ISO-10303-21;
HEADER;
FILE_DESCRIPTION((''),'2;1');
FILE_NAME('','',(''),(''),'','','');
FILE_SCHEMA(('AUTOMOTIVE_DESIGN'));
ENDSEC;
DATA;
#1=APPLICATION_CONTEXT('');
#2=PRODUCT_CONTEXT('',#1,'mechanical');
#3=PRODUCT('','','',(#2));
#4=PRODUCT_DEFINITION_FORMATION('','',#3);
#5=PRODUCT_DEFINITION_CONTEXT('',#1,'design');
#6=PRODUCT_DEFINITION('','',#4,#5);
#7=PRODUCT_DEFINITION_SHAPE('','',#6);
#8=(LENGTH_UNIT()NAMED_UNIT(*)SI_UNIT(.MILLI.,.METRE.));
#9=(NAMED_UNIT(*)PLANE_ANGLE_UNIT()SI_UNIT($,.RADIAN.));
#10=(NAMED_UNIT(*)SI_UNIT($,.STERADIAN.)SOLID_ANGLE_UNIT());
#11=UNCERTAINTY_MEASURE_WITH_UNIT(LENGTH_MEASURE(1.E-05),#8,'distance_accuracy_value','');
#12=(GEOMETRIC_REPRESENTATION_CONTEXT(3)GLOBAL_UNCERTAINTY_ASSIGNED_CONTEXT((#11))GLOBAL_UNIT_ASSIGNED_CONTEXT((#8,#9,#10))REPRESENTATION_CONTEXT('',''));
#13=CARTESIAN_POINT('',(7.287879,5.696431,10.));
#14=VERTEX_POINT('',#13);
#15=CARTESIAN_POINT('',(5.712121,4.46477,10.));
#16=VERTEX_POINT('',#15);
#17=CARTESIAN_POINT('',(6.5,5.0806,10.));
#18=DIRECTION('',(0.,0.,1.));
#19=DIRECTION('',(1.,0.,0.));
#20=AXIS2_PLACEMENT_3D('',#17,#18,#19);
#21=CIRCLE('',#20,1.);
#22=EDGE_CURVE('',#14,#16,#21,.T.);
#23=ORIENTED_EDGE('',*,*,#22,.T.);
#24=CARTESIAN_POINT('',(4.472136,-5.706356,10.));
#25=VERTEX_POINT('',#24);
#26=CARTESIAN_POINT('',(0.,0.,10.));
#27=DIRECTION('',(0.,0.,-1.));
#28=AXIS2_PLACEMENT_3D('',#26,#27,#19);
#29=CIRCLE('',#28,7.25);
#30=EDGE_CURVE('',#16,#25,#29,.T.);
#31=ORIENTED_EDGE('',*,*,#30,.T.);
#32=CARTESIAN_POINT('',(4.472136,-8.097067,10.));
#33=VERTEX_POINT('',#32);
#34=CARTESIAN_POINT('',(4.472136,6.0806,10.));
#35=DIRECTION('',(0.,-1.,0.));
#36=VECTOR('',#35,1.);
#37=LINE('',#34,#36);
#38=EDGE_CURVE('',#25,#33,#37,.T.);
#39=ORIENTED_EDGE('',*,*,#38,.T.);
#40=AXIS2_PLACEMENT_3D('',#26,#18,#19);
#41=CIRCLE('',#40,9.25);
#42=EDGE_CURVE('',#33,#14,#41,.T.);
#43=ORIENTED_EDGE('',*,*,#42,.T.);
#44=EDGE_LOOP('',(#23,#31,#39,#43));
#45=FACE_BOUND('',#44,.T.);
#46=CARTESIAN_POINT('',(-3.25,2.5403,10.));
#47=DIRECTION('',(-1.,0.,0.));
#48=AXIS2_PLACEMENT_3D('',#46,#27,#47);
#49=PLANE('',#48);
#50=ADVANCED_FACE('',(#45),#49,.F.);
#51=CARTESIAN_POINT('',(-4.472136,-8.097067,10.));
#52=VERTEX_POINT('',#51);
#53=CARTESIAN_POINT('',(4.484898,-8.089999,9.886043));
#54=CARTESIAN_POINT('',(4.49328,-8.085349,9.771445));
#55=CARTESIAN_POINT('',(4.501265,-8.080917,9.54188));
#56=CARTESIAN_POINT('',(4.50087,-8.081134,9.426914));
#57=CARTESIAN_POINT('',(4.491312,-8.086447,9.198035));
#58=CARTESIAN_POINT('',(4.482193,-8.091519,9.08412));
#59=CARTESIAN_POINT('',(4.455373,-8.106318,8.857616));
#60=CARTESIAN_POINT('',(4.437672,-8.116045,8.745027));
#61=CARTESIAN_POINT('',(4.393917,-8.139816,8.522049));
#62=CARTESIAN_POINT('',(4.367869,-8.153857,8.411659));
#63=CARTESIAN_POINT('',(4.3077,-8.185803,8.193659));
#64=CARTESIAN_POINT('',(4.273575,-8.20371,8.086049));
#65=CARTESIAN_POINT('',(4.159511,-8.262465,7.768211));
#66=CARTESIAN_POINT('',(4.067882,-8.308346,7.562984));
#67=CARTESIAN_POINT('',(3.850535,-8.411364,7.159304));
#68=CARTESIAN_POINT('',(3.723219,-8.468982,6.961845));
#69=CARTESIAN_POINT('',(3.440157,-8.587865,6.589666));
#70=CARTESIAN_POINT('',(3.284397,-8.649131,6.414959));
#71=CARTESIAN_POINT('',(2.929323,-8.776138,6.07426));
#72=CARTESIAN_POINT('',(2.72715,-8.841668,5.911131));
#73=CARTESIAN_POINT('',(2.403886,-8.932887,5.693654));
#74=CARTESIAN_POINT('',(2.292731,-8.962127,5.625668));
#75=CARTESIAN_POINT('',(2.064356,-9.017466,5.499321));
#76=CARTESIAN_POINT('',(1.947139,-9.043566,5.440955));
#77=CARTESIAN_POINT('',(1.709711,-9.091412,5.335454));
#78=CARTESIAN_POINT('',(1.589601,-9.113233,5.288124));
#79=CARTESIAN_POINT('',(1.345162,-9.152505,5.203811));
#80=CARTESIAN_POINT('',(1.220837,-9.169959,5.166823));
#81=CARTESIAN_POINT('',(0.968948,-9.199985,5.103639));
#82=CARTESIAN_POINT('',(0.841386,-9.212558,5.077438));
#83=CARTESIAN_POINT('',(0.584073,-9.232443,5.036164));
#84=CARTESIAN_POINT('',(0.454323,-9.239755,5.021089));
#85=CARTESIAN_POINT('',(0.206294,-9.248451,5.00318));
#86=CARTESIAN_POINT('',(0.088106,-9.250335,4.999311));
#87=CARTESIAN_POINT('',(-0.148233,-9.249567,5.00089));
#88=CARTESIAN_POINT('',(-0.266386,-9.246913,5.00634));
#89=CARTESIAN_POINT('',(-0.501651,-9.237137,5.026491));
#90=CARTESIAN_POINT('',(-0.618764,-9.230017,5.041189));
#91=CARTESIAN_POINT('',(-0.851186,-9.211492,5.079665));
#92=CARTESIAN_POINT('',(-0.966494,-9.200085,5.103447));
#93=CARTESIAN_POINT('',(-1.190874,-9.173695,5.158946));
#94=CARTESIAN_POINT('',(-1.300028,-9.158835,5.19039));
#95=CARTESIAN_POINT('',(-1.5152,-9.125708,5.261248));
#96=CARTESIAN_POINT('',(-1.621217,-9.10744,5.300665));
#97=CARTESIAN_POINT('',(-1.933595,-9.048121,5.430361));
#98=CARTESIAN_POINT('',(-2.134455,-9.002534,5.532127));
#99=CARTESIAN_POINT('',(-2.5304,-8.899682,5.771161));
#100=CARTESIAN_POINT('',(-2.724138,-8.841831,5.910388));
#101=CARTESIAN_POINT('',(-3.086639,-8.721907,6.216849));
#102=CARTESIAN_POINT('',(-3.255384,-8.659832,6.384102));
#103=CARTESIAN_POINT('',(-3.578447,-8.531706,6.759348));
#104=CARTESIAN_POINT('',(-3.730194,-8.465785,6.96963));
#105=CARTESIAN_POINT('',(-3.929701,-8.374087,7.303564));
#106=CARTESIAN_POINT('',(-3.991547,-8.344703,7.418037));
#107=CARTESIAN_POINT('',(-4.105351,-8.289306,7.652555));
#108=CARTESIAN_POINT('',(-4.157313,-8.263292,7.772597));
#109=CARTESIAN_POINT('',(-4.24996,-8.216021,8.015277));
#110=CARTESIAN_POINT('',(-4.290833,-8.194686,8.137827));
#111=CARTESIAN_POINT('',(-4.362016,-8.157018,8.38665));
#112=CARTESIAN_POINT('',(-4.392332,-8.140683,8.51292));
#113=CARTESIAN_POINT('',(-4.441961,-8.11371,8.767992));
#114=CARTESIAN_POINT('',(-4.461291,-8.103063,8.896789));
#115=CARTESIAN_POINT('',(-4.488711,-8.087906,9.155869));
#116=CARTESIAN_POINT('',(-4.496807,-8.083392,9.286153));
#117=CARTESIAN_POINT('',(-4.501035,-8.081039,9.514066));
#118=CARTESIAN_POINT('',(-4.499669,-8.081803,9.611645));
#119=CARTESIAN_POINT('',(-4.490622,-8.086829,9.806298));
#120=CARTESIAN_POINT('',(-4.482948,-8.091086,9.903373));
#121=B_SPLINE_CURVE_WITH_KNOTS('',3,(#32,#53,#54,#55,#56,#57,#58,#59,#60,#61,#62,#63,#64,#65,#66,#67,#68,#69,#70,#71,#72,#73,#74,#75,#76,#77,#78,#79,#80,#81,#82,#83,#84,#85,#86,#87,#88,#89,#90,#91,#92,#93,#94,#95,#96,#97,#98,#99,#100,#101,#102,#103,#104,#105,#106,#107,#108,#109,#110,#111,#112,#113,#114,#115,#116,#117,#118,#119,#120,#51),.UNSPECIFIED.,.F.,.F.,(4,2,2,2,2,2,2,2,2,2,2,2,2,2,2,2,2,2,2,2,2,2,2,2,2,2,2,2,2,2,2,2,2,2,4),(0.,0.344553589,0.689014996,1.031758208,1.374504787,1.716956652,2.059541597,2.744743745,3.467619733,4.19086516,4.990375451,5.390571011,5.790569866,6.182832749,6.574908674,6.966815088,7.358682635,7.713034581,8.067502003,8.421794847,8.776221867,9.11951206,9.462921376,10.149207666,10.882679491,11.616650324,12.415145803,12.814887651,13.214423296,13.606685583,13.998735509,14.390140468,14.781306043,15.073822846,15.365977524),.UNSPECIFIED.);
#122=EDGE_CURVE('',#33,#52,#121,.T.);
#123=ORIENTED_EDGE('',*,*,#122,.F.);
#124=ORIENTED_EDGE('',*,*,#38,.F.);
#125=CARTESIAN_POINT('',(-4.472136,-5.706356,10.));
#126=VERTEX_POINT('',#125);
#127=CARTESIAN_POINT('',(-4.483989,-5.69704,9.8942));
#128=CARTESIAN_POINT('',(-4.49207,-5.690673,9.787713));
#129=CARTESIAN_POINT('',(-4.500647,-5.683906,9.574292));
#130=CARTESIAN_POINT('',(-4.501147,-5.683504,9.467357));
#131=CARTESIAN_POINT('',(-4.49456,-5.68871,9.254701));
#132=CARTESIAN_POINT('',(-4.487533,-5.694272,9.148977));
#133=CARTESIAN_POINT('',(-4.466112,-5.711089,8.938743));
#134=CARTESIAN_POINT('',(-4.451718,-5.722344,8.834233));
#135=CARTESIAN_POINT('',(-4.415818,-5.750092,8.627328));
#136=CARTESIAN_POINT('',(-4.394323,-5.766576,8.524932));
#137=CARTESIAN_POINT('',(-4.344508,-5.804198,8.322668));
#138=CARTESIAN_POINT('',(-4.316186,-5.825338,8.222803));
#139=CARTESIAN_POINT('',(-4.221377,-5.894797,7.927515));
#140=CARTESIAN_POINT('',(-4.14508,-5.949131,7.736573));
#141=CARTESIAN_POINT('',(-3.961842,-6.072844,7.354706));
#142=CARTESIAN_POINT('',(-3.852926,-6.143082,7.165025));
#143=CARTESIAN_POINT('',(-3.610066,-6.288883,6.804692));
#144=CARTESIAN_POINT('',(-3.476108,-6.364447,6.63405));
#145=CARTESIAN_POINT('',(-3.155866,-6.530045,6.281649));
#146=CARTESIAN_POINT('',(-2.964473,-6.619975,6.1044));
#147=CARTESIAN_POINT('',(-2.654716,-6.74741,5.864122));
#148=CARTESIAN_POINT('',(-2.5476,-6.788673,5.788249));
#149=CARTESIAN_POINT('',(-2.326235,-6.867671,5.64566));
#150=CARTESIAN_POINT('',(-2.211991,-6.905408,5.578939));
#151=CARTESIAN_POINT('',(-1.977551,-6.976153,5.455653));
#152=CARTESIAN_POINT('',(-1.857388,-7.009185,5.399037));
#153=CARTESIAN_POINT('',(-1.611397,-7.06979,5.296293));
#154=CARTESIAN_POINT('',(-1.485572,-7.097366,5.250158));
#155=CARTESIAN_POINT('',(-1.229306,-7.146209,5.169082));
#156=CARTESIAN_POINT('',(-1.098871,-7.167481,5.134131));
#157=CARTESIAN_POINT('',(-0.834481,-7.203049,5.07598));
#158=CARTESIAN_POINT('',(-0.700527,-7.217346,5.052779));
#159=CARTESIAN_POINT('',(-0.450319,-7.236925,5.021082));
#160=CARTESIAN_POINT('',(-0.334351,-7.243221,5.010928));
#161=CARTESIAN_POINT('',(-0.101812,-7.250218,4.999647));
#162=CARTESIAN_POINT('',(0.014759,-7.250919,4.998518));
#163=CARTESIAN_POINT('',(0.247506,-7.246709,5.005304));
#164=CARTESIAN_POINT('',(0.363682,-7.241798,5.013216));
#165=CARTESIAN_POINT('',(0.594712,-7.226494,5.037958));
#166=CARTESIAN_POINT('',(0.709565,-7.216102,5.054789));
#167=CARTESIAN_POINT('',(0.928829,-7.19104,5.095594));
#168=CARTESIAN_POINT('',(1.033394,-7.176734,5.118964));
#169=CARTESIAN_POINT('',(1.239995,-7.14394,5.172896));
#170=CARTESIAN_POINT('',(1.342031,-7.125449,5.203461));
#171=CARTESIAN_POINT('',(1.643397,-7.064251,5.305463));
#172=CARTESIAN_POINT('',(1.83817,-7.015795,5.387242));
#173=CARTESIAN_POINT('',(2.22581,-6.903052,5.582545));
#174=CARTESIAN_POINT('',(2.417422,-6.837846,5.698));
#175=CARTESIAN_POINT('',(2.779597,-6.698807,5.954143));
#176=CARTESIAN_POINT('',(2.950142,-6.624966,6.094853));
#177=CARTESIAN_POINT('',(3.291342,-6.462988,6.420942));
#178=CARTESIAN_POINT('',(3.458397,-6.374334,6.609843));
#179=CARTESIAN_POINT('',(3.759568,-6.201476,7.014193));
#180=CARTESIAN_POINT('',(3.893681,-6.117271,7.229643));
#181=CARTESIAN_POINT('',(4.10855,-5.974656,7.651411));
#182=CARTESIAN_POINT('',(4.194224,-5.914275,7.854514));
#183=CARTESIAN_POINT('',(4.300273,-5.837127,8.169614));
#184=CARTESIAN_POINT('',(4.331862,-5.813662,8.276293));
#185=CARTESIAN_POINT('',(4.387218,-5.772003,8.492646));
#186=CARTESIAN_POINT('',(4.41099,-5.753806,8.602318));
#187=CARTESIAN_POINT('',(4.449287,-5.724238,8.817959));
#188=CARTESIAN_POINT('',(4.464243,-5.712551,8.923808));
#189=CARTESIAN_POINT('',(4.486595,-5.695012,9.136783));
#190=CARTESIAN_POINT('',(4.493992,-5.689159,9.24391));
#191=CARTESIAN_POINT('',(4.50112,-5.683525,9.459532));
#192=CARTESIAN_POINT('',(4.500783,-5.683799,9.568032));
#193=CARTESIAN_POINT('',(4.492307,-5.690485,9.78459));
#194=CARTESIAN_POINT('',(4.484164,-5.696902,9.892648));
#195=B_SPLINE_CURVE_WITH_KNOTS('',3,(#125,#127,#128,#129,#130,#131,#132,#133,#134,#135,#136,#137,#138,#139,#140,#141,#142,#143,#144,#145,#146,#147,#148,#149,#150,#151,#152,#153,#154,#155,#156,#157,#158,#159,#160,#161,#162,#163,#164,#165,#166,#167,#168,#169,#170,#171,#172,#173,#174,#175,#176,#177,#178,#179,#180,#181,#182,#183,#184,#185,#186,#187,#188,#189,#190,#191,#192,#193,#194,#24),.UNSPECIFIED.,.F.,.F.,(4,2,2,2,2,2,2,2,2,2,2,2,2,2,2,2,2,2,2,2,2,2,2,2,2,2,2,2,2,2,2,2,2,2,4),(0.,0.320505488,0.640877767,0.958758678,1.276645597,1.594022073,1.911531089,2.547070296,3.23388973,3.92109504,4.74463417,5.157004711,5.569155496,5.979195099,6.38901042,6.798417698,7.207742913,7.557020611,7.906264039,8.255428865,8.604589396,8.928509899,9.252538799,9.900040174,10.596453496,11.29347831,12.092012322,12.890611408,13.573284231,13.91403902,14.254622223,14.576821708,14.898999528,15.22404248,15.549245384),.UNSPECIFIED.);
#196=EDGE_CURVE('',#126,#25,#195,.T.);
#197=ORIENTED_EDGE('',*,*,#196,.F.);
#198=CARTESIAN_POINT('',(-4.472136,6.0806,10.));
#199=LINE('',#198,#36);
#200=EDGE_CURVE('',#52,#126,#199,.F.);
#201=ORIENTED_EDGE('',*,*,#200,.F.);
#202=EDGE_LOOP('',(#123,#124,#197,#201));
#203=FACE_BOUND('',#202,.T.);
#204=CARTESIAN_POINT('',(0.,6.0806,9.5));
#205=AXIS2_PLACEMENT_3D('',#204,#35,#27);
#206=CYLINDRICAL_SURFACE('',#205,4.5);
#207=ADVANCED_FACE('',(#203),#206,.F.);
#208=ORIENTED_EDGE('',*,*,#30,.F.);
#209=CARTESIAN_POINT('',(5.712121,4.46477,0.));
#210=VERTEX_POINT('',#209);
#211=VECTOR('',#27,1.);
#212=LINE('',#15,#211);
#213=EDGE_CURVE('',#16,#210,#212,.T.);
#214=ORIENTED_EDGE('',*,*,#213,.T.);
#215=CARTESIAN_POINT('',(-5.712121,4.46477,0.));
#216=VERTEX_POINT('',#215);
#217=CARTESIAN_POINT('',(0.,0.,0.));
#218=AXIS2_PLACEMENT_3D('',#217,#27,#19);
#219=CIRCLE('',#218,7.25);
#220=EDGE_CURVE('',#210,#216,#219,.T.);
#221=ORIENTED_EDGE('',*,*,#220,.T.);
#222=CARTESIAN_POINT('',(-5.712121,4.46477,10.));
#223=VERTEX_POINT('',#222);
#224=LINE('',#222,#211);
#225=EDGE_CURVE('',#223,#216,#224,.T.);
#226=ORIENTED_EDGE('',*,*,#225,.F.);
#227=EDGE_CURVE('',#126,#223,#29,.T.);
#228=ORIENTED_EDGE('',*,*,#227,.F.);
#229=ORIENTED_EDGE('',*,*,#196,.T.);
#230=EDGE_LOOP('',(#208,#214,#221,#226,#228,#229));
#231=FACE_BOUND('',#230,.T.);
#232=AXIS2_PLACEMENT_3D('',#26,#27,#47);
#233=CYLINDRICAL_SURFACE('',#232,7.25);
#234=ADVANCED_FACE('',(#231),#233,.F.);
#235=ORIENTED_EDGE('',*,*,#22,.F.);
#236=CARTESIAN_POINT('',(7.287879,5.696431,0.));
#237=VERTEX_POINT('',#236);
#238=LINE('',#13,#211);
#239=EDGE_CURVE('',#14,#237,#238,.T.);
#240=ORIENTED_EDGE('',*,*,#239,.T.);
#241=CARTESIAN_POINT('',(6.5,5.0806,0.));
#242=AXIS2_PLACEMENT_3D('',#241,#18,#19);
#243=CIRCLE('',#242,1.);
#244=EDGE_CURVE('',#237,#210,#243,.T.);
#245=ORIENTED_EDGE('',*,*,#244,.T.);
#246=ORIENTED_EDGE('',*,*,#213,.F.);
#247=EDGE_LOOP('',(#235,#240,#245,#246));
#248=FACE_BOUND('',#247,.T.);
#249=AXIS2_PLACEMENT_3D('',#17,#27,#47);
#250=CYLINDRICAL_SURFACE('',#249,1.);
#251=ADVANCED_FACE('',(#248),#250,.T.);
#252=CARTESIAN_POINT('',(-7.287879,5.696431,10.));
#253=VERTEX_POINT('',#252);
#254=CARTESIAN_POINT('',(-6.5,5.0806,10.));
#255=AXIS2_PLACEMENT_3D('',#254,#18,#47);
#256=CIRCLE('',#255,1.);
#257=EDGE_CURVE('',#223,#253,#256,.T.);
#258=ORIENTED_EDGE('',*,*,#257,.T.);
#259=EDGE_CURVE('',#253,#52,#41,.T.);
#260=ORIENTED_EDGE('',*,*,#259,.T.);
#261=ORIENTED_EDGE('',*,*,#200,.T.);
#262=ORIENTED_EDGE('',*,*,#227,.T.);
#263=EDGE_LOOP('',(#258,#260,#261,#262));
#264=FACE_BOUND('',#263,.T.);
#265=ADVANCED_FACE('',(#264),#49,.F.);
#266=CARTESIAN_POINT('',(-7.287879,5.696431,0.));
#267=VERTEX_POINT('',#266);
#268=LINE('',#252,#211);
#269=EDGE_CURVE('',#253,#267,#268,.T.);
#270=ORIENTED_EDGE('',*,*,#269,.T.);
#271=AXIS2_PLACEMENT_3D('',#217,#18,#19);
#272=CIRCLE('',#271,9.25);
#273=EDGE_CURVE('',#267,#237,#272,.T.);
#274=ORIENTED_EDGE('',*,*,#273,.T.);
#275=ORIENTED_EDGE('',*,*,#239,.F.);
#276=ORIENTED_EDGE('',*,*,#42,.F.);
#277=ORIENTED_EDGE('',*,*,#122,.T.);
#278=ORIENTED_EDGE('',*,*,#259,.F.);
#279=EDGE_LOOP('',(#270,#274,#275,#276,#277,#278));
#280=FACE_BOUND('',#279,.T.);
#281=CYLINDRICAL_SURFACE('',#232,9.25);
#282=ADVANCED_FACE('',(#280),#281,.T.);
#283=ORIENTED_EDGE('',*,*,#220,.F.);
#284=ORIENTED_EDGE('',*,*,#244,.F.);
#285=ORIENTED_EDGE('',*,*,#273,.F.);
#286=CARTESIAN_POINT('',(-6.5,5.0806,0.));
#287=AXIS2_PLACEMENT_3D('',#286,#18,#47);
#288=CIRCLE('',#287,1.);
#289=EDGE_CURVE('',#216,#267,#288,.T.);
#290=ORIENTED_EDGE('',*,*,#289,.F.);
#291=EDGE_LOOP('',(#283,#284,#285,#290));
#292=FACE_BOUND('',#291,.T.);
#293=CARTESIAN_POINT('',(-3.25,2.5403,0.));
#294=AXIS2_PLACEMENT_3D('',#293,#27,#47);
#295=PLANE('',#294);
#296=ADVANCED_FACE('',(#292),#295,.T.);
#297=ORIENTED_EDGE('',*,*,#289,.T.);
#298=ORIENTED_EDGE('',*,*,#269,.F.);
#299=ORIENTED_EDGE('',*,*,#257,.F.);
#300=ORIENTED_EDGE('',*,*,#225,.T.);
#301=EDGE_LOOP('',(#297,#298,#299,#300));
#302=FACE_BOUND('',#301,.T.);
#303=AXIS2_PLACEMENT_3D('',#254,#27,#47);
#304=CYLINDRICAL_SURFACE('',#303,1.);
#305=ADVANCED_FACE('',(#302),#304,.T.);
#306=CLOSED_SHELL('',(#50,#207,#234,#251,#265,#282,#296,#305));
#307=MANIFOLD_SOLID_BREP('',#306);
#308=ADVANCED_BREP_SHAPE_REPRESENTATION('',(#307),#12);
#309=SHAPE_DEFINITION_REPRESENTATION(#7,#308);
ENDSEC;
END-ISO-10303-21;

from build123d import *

# Parameters (mm, degrees)
EXTRUDE_569_DEPTH           = 10
CUT_EXTRUDE_2098_DEPTH      = 21.508286309
CUT_EXTRUDE_2098_DEPTH_BACK = 21.508286309
SKETCH_6_R                  = 4.5


with BuildPart() as part:
    # Эскиз1 → Extrude 569 (new body)
    with BuildSketch(Plane.XY):
        with BuildLine():
            ThreePointArc((-5.712121212, 4.464770012), (0, -7.25), (5.712121212, 4.464770012))
            ThreePointArc((5.712121212, 4.464770012), (5.884169654, 5.868479146), (7.287878788, 5.696430705))
            ThreePointArc((7.287878788, 5.696430705), (0, -9.25), (-7.287878788, 5.696430705))
            ThreePointArc((-7.287878788, 5.696430705), (-5.884169654, 5.868479146), (-5.712121212, 4.464770012))
        make_face()
    extrude(amount=EXTRUDE_569_DEPTH)

    # Эскиз6 → Cut-Extrude 2098 (cut, two sides: drawn at the far end of the back side and taken through both)
    with BuildSketch(Plane(origin=(0, -9.25, 0), x_dir=(-1, 0, 0), z_dir=(0, -1, 0)).offset(-CUT_EXTRUDE_2098_DEPTH_BACK)):
        with Locations((0, -9.5)):
            Circle(SKETCH_6_R)
    extrude(amount=CUT_EXTRUDE_2098_DEPTH + CUT_EXTRUDE_2098_DEPTH_BACK, mode=Mode.SUBTRACT)


solid = part.part
